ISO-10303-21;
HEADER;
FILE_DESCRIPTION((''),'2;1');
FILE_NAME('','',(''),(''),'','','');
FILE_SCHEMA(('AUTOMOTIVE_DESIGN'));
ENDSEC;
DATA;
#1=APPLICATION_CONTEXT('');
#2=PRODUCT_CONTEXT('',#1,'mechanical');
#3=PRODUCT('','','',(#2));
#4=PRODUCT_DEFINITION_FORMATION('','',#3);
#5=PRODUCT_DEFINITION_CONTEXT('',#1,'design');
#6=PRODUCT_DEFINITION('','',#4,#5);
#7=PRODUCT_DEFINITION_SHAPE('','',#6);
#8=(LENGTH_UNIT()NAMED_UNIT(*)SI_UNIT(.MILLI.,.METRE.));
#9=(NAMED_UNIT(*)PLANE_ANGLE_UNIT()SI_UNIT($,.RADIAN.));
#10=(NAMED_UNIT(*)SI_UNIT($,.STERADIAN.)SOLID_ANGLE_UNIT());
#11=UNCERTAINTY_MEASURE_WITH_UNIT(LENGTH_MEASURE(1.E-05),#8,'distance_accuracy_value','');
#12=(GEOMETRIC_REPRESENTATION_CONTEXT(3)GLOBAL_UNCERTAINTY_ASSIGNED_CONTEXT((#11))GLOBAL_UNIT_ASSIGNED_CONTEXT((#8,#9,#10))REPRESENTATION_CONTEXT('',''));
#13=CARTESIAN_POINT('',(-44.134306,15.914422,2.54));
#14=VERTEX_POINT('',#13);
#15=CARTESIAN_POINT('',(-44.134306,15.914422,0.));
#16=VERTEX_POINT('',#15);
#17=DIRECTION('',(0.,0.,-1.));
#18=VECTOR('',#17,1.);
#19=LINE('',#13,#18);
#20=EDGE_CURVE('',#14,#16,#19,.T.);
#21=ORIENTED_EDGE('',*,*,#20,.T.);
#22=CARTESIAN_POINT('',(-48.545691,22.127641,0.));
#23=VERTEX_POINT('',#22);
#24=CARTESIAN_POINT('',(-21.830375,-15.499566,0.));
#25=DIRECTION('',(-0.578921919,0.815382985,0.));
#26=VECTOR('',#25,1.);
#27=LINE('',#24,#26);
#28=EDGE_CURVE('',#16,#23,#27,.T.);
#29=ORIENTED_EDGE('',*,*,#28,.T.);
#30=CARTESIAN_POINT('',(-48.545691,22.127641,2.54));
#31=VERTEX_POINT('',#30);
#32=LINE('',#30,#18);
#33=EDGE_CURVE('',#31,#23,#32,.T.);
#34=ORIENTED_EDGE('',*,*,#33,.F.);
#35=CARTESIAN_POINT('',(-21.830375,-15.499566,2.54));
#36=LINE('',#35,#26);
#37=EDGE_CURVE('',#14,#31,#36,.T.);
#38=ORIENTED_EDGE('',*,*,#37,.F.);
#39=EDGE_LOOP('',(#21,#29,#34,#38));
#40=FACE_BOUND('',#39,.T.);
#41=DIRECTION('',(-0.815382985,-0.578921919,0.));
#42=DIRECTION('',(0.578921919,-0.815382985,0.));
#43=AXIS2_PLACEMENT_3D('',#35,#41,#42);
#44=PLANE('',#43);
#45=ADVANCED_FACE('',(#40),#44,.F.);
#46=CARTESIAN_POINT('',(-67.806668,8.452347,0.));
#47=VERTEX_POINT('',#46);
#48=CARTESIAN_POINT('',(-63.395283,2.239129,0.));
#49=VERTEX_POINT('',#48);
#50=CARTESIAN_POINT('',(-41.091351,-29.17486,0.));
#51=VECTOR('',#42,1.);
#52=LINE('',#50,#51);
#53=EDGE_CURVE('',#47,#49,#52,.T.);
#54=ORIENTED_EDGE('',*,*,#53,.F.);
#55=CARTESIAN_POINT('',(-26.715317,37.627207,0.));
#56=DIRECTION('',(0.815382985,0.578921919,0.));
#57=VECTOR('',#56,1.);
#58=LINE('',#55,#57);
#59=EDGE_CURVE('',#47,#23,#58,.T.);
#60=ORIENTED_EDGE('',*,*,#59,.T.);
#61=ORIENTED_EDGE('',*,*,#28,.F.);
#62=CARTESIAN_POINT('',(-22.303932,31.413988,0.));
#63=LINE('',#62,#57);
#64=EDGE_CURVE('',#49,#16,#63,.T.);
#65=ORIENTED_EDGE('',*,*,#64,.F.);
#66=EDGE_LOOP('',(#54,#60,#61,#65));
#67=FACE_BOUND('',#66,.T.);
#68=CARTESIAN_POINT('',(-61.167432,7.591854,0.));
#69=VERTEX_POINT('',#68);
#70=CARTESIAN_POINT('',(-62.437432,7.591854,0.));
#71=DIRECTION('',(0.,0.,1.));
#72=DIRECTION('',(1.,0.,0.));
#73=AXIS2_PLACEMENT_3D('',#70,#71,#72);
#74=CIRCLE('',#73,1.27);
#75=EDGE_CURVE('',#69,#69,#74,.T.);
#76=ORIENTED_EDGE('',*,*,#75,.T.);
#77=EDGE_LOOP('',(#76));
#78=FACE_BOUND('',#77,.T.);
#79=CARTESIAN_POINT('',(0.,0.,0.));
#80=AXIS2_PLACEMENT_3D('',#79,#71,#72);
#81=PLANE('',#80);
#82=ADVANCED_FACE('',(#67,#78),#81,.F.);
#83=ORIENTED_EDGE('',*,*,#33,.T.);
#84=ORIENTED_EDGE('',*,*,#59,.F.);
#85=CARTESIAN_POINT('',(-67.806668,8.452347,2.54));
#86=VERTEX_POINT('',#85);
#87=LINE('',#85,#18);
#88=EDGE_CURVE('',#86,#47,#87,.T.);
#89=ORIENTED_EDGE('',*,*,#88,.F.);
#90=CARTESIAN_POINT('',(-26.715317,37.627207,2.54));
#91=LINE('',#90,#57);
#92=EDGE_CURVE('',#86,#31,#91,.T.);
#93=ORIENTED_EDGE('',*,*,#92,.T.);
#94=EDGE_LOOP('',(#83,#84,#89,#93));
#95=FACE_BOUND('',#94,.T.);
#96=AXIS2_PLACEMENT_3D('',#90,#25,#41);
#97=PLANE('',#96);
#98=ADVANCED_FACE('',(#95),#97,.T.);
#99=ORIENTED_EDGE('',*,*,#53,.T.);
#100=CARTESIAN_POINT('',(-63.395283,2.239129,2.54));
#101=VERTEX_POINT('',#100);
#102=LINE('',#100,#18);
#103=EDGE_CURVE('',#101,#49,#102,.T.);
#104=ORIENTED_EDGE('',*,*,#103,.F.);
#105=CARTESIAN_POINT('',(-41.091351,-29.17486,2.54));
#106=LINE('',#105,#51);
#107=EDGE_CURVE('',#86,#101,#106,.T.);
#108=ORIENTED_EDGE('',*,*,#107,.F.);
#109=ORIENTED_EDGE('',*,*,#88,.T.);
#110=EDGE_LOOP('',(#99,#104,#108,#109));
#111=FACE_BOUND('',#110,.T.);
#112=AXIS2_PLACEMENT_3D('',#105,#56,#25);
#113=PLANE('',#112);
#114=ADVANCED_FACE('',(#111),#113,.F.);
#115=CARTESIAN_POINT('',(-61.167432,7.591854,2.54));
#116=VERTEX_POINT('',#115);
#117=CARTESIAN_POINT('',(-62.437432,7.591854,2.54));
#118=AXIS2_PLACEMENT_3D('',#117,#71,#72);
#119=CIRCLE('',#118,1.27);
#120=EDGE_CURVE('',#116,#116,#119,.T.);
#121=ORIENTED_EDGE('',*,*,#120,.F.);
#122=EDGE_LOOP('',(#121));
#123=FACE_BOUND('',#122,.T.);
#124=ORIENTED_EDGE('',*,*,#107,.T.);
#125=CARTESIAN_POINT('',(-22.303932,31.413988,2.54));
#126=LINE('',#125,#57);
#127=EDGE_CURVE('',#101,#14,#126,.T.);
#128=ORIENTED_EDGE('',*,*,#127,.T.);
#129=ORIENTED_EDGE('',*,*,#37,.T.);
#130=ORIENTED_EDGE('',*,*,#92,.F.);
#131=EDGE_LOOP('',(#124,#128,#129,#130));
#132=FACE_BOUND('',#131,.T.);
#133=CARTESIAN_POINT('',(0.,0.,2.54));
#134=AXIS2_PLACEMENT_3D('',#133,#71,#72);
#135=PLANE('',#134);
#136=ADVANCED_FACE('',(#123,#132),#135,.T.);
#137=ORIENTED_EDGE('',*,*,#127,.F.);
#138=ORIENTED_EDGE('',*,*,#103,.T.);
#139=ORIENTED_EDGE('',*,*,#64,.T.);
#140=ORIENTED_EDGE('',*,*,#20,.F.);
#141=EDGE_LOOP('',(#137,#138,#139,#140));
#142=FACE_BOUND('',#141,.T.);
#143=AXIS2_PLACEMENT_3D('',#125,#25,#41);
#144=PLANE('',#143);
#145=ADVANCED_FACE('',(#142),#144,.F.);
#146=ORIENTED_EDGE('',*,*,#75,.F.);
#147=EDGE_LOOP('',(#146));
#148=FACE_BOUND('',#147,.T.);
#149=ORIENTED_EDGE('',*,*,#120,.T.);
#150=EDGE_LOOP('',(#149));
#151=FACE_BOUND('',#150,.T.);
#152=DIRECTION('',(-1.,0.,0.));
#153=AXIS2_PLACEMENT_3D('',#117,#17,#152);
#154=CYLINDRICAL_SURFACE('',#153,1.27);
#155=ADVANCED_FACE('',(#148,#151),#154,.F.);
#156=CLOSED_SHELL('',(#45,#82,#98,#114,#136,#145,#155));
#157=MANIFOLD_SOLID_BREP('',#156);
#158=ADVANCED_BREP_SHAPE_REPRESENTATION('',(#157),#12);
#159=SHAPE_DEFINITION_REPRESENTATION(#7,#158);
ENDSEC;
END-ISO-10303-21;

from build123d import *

# Parameters (mm, degrees)
BOSS_EXTRUDE2_DEPTH = 2.54


with BuildPart() as part:
    # Sketch1 → Boss-Extrude2 (new body)
    with BuildSketch(Plane.XY):
        with BuildLine():
            Line((-48.545691329, 22.127640633), (-64.643124973, 10.698462746))
            Line((-64.643124973, 10.698462746), (-63.172663299, 8.627389965))
            ThreePointArc((-63.172663299, 8.627389965), (-62.225084369, 8.843975089), (-61.401896071, 8.327084411))
            Line((-61.401896071, 8.327084411), (-46.339998817, 19.021031462))
            Line((-46.339998817, 19.021031462), (-48.545691329, 22.127640633))
        make_face()
        with BuildLine():
            Line((-44.134306305, 15.914422291), (-46.339998817, 19.021031462))
            Line((-46.339998817, 19.021031462), (-61.401896071, 8.327084411))
            ThreePointArc((-61.401896071, 8.327084411), (-61.227467335, 7.977708977), (-61.167432462, 7.591853574))
            ThreePointArc((-61.167432462, 7.591853574), (-61.309016943, 7.00912), (-61.702201624, 6.556317184))
            Line((-61.702201624, 6.556317184), (-60.23173995, 4.485244403))
            Line((-60.23173995, 4.485244403), (-44.134306305, 15.914422291))
        make_face()
        with BuildLine():
            Line((-63.472968852, 6.856622737), (-65.60097568, 5.345737889))
            Line((-65.60097568, 5.345737889), (-63.395283168, 2.239128718))
            Line((-63.395283168, 2.239128718), (-60.23173995, 4.485244403))
            Line((-60.23173995, 4.485244403), (-61.702201624, 6.556317184))
            ThreePointArc((-61.702201624, 6.556317184), (-62.649780555, 6.33973206), (-63.472968852, 6.856622737))
        make_face()
        with BuildLine():
            Line((-64.643124973, 10.698462746), (-67.806668191, 8.452347061))
            Line((-67.806668191, 8.452347061), (-65.60097568, 5.345737889))
            Line((-65.60097568, 5.345737889), (-63.472968852, 6.856622737))
            ThreePointArc((-63.472968852, 6.856622737), (-63.689553976, 7.804201667), (-63.172663299, 8.627389965))
            Line((-63.172663299, 8.627389965), (-64.643124973, 10.698462746))
        make_face()
    extrude(amount=BOSS_EXTRUDE2_DEPTH)


solid = part.part
